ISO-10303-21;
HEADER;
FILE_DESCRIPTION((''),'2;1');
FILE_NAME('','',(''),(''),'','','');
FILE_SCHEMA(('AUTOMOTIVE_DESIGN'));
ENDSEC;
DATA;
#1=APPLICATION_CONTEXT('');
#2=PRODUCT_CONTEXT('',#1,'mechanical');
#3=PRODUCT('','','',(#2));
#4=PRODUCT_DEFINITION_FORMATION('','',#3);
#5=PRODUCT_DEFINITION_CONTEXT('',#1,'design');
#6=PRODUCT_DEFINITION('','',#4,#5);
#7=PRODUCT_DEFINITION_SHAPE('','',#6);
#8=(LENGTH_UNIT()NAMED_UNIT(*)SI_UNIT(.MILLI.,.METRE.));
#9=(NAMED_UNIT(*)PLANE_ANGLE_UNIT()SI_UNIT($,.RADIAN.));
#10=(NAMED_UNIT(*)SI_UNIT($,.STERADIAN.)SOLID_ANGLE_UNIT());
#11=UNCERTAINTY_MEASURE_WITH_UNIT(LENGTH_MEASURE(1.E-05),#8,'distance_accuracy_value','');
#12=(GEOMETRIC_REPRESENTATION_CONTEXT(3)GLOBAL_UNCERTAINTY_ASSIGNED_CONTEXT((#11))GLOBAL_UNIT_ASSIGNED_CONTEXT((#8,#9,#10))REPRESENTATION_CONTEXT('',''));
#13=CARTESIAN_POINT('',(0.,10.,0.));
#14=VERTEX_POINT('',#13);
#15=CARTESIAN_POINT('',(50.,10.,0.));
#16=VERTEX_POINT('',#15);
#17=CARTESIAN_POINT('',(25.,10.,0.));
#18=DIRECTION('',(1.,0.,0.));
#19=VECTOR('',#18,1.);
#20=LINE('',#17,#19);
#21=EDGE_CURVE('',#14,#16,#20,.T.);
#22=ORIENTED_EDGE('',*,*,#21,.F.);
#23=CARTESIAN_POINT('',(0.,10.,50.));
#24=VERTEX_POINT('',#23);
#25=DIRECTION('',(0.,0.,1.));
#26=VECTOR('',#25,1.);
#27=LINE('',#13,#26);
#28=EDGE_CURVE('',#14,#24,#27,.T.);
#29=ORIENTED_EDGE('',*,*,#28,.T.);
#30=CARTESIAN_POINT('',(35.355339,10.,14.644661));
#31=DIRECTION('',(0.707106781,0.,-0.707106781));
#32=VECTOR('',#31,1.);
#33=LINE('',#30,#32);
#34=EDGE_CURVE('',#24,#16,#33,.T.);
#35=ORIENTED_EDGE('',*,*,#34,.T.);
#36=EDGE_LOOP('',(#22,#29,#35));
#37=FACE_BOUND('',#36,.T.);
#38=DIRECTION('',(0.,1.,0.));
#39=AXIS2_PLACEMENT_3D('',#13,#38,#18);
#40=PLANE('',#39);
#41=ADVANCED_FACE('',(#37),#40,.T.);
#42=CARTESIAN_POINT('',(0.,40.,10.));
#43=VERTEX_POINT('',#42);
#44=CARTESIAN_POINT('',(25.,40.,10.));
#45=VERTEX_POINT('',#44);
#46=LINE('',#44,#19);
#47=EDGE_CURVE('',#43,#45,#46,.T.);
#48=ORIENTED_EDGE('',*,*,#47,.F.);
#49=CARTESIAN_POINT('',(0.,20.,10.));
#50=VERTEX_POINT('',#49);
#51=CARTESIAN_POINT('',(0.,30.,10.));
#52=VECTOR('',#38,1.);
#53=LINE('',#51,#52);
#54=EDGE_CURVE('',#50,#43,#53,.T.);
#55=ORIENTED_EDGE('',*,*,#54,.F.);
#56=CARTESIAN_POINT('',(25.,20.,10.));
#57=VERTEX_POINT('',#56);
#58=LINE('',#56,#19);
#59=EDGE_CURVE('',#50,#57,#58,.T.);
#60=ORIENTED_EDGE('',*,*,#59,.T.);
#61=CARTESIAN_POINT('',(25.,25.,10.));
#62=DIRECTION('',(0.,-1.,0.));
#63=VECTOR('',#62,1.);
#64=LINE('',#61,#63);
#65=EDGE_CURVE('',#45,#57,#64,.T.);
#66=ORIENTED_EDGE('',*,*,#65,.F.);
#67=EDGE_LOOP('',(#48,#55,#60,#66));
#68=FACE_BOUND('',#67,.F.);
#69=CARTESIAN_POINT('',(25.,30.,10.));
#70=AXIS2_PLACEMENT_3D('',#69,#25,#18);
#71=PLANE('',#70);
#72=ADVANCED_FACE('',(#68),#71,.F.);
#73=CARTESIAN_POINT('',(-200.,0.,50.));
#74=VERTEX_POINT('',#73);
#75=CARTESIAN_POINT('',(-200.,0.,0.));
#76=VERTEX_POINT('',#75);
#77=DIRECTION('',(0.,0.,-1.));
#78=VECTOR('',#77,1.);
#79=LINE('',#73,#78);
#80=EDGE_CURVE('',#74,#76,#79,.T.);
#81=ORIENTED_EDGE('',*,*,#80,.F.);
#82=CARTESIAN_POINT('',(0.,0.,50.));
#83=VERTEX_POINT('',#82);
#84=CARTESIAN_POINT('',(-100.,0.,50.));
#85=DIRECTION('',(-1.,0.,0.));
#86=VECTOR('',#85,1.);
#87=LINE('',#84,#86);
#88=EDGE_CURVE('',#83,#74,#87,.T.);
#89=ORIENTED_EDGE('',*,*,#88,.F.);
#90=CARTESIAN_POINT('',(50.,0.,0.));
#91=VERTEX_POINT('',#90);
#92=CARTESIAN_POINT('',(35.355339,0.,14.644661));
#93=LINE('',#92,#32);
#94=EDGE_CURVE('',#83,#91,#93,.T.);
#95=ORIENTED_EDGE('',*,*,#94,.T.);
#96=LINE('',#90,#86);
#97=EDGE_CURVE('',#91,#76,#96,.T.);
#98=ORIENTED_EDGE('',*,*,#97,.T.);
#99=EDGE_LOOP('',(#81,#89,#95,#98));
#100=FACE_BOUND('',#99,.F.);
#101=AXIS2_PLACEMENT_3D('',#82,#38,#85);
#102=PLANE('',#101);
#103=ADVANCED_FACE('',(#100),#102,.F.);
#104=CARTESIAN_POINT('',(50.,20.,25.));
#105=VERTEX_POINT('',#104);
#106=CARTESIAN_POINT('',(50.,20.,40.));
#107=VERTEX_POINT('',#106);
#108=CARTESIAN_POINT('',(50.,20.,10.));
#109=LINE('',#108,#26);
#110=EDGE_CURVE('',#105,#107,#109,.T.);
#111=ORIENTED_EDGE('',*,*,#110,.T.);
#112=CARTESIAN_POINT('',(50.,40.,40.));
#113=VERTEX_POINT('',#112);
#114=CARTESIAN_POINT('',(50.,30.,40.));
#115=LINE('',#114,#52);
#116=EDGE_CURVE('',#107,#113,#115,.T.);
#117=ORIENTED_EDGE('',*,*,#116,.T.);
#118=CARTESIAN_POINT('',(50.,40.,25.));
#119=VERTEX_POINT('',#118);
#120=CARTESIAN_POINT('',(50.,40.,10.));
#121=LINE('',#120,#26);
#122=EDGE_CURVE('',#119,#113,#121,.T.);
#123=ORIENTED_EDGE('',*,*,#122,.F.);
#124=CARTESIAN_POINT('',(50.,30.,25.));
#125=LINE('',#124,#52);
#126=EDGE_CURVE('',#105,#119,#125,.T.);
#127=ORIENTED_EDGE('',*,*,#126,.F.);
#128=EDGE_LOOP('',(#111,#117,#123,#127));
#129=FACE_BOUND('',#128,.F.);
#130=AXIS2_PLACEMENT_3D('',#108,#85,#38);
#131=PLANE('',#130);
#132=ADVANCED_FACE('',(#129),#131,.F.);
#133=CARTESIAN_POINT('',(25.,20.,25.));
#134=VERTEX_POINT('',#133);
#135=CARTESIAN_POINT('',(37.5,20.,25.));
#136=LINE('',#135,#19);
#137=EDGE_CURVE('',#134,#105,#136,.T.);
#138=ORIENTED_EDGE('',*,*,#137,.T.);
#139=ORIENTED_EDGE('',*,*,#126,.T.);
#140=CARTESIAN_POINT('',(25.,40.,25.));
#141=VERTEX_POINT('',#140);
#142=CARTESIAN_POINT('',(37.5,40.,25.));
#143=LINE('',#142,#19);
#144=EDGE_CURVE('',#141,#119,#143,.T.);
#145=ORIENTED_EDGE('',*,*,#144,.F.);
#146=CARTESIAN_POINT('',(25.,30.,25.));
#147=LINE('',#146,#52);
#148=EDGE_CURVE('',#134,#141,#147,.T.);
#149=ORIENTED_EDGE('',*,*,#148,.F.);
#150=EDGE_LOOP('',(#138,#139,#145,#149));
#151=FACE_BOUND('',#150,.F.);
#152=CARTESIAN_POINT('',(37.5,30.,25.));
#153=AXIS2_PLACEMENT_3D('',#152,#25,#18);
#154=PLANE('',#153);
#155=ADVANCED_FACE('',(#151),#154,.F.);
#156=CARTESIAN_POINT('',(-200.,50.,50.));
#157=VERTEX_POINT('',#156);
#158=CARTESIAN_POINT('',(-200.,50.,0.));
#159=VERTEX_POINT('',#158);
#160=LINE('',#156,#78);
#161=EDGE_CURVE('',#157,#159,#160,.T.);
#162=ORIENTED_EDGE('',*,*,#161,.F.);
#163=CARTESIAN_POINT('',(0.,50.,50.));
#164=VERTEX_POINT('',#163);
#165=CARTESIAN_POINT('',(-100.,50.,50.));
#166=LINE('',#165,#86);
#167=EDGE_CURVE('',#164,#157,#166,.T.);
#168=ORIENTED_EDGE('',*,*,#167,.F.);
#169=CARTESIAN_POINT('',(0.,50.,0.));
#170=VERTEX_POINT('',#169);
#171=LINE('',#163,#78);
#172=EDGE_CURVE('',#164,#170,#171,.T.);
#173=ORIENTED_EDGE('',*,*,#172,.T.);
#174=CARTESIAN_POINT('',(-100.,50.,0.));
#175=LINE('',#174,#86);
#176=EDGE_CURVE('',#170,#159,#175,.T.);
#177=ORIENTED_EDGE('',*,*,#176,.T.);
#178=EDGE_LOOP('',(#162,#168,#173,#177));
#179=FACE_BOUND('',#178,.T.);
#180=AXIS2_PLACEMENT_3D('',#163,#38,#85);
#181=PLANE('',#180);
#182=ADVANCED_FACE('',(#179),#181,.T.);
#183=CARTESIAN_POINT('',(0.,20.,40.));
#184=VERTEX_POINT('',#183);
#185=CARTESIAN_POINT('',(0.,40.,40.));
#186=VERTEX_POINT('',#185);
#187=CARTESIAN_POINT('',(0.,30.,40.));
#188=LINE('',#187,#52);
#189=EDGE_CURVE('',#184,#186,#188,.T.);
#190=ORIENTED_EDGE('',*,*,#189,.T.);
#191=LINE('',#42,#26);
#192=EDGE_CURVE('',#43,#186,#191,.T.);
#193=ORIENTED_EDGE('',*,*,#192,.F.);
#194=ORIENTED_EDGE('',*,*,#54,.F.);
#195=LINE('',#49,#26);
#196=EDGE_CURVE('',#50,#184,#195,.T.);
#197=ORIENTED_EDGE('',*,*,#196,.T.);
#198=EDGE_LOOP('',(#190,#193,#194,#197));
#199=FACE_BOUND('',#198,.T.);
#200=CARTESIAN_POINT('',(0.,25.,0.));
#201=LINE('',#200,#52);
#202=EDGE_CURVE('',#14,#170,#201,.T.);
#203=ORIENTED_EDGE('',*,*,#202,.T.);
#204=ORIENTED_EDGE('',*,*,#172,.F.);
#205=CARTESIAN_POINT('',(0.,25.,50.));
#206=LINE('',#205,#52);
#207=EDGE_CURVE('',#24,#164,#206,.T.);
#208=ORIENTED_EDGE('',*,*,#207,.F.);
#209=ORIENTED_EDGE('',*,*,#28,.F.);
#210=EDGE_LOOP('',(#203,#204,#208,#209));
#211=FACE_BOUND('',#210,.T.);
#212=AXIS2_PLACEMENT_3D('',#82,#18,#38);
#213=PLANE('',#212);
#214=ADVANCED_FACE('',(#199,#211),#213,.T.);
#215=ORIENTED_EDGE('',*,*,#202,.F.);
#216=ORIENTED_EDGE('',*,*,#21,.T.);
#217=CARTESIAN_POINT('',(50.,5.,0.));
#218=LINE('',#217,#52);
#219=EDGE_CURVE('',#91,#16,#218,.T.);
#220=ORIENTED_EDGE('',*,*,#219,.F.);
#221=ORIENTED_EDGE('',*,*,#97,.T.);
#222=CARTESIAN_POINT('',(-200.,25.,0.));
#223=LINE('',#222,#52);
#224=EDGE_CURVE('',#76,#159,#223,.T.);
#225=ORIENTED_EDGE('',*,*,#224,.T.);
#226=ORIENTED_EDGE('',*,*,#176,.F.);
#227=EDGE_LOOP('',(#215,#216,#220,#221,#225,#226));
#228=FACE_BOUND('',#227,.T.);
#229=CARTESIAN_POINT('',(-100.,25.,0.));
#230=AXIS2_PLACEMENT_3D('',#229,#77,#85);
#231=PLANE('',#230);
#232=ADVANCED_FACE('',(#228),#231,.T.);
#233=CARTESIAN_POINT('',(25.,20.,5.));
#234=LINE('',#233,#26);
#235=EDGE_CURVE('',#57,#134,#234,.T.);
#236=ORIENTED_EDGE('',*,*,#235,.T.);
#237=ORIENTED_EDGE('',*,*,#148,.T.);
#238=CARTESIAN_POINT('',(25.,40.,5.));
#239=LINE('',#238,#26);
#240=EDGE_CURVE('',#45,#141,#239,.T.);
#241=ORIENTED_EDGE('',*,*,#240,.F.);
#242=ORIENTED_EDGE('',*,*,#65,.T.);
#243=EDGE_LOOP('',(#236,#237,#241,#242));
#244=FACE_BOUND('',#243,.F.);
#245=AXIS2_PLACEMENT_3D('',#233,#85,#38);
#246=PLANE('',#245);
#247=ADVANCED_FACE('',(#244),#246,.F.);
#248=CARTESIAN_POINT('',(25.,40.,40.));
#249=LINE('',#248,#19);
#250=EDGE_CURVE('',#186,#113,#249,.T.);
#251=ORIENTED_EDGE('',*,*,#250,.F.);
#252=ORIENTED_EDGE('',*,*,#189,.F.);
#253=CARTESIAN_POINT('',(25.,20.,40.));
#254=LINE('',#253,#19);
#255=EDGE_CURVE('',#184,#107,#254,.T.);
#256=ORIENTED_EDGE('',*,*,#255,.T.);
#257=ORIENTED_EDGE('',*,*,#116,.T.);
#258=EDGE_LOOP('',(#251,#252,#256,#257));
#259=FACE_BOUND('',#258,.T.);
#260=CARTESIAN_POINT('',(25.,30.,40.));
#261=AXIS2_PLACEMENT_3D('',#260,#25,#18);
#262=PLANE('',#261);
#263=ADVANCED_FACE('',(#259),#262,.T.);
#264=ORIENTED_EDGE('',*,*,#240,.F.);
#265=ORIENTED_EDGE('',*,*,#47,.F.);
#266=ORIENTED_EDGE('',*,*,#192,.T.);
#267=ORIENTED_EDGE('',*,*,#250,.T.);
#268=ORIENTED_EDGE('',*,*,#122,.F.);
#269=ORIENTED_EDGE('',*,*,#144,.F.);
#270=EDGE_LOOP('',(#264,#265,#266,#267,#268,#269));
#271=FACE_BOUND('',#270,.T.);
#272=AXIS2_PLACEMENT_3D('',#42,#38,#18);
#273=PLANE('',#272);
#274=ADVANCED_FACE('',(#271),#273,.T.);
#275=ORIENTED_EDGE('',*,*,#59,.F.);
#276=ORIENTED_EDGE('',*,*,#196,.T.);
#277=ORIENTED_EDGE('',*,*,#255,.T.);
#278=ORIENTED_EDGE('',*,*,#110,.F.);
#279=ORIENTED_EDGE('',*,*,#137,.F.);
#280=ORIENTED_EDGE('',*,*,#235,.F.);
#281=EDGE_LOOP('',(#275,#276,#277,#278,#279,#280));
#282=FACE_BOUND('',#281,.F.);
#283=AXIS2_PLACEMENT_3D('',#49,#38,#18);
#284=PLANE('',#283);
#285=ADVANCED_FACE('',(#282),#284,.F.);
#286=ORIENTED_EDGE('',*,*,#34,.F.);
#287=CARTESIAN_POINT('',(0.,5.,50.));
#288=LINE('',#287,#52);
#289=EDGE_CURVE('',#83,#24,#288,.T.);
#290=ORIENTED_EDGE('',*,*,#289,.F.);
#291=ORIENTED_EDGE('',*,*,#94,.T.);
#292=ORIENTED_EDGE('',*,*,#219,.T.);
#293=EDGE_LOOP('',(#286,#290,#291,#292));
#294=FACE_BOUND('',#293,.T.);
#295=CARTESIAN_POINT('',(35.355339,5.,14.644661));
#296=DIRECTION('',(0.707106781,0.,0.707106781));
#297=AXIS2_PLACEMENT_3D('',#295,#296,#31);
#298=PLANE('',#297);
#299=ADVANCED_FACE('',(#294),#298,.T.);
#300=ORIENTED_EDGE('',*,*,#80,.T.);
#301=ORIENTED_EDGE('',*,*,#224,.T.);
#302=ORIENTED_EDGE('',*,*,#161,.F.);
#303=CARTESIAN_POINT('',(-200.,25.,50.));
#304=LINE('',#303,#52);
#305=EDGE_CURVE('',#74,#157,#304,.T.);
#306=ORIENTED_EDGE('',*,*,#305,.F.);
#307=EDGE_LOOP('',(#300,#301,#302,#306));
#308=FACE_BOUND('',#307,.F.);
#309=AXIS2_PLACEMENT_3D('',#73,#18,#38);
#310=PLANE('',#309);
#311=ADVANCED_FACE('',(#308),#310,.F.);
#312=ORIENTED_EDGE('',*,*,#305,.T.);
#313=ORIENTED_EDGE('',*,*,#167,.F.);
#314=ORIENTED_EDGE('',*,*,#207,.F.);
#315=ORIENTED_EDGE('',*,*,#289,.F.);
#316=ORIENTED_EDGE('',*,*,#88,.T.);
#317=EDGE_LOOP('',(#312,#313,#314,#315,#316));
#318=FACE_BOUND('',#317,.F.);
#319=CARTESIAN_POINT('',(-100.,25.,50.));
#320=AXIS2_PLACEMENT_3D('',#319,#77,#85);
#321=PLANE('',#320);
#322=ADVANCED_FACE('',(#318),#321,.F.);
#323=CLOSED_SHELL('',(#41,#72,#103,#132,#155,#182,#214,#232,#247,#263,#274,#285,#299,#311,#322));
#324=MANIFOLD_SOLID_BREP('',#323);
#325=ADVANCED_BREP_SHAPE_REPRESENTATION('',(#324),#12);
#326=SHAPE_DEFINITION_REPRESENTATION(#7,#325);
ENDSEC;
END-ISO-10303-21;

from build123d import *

# Parameters (mm, degrees)
BOX004_W               = 25
BOX004_H               = 20
BOX004_DEPTH           = 20
BOX002_W               = 200
BOX002_H               = 50
BOX002_DEPTH           = 50
BOX003_W               = 50
BOX003_H               = 20
BOX003_DEPTH           = 30
BOX001_W               = 100
BOX001_H               = 10
BOX001_DEPTH           = 100
BOX001_PLACEMENT_ANGLE = 45
BOX_W                  = 50
BOX_H                  = 10
BOX_DEPTH              = 50


with BuildPart() as cube004:
    # Box004 → Box004 (new body)
    with BuildSketch(Plane(origin=(25, 20, 5), x_dir=(1, 0, 0), z_dir=(0, 0, 1))):
        with Locations((12.5, 10)):
            Rectangle(BOX004_W, BOX004_H)
    extrude(amount=BOX004_DEPTH)


with BuildPart() as cube002:
    # Box002 → Box002 (new body)
    with BuildSketch(Plane(origin=(0, 0, 50), x_dir=(-1, 0, 0), z_dir=(0, 0, -1))):
        with Locations((100, 25)):
            Rectangle(BOX002_W, BOX002_H)
    extrude(amount=BOX002_DEPTH)


with BuildPart() as cube003:
    # Box003 → Box003 (new body)
    with BuildSketch(Plane(origin=(0, 20, 10), x_dir=(1, 0, 0), z_dir=(0, 0, 1))):
        with Locations((25, 10)):
            Rectangle(BOX003_W, BOX003_H)
    extrude(amount=BOX003_DEPTH)


with BuildPart() as cube001:
    # Box001 → Box001 (new body)
    with BuildSketch(Plane.XY):
        with Locations((50, 5)):
            Rectangle(BOX001_W, BOX001_H)
    extrude(amount=BOX001_DEPTH)


with BuildPart() as cube001_1:
    # Box001 placement: moved
    add(cube001.part.moved(Location((0, 0, 50))).rotate(Axis((0, 0, 50), (0, 1, 0)), BOX001_PLACEMENT_ANGLE))


with BuildPart() as cut001:
    # Box → Box (new body)
    with BuildSketch(Plane.XY):
        with Locations((25, 5)):
            Rectangle(BOX_W, BOX_H)
    extrude(amount=BOX_DEPTH)

    # Cut: cut Cube001
    add(cube001_1.part, mode=Mode.SUBTRACT)

    # Fusion: union Cube002, Cube003
    add(cube002.part)
    add(cube003.part)

    # Cut001: cut Cube004
    add(cube004.part, mode=Mode.SUBTRACT)


solid = cut001.part
